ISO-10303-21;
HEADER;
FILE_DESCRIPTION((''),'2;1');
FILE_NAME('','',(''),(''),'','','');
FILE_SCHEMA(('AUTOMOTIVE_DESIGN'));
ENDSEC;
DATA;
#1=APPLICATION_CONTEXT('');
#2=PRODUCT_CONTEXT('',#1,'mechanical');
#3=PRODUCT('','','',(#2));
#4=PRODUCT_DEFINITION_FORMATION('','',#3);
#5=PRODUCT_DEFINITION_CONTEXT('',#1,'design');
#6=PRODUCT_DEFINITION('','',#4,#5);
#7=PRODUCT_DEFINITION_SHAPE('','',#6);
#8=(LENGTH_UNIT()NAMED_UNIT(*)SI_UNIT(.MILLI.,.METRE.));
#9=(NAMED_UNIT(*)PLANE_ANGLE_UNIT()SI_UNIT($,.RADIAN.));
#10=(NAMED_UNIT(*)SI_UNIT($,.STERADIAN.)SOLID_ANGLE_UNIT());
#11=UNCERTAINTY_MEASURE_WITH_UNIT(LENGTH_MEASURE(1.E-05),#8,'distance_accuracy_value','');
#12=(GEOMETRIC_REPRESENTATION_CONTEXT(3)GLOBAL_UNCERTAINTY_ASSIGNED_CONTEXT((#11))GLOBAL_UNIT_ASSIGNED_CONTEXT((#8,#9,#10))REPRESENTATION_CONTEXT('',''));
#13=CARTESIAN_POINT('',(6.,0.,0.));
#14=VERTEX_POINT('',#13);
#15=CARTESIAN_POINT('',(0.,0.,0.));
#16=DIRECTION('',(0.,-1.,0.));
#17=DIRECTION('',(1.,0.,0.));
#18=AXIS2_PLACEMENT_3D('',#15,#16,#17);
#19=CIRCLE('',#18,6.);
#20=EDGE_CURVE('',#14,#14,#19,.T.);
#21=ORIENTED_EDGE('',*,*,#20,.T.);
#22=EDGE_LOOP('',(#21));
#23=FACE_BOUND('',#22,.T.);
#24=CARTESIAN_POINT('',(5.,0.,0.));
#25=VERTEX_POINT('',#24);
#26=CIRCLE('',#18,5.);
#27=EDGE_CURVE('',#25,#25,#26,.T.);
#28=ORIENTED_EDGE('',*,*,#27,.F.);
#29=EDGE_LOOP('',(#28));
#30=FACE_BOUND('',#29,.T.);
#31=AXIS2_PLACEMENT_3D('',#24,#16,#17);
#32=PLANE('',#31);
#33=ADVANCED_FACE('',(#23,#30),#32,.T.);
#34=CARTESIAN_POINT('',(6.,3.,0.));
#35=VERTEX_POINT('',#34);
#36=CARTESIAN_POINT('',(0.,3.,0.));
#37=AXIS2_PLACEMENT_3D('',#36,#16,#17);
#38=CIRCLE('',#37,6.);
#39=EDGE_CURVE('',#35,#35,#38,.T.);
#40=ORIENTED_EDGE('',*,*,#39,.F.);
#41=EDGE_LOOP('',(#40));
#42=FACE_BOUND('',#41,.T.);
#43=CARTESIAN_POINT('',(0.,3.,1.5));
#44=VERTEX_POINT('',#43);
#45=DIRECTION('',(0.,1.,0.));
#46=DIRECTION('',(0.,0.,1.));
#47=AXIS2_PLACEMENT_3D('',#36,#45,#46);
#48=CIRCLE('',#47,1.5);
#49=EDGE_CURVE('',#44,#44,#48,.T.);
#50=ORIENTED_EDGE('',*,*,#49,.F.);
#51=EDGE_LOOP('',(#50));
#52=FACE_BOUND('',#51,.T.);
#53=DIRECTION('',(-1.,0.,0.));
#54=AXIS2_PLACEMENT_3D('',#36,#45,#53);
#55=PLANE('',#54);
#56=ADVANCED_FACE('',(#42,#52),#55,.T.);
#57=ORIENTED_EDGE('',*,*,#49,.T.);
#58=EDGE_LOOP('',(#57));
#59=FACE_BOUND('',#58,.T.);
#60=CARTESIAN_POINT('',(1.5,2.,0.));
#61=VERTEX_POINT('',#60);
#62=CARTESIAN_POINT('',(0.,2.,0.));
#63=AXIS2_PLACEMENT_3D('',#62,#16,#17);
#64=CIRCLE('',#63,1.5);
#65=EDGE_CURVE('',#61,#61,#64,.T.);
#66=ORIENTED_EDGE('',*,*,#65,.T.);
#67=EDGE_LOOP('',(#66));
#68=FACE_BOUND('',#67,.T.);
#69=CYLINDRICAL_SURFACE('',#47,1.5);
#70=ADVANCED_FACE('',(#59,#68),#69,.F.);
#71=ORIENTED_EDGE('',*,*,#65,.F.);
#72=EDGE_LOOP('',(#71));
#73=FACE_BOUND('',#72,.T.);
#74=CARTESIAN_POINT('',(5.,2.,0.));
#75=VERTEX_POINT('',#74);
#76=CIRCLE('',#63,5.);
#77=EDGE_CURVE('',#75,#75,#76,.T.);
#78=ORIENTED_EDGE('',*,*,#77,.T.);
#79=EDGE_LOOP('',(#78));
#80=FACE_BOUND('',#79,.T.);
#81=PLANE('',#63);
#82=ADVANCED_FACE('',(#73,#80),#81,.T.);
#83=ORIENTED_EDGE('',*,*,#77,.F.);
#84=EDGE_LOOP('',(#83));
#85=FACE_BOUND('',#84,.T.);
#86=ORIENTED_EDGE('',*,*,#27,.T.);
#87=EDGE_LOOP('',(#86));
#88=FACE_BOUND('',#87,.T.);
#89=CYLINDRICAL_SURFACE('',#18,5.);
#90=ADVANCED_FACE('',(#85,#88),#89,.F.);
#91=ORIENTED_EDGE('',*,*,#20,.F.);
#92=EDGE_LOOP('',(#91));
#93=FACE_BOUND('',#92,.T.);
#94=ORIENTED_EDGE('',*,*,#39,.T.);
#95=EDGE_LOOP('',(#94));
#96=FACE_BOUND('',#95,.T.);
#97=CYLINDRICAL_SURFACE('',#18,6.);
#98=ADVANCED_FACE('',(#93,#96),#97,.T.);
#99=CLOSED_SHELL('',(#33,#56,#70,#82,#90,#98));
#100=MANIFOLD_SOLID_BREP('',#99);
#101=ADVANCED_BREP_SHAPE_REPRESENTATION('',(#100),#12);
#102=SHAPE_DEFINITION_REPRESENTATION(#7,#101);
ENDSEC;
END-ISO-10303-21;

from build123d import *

# Parameters (mm, degrees)
F_3_0MM_DOWEL_HOLE1_D     = 3
F_3_0MM_DOWEL_HOLE1_DEPTH = 7.598709071
F_3_0MM_DOWEL_HOLE1_TIP   = 0.901290929


with BuildPart() as part:
    # Sketch1 → Revolve1 (revolve)
    with BuildSketch(Plane.XY):
        Polygon((0, 3), (6, 3), (6, 0), (5, 0), (5, 2), (0, 2), align=None)
    revolve(axis=Axis((0, 0, 0), (0, 1, 0)))

    # Ø3.0mm Dowel Hole1
    with Locations(Plane(origin=(0, 3, 0), x_dir=(1, 0, 0), z_dir=(0, 1, 0))):
        with Locations((0, 0)):
            Hole(F_3_0MM_DOWEL_HOLE1_D / 2, depth=F_3_0MM_DOWEL_HOLE1_DEPTH)
            with Locations((0, 0, -(F_3_0MM_DOWEL_HOLE1_DEPTH + F_3_0MM_DOWEL_HOLE1_TIP / 2))):  # 118° drill point
                Cone(0, F_3_0MM_DOWEL_HOLE1_D / 2, F_3_0MM_DOWEL_HOLE1_TIP, mode=Mode.SUBTRACT)


solid = part.part
